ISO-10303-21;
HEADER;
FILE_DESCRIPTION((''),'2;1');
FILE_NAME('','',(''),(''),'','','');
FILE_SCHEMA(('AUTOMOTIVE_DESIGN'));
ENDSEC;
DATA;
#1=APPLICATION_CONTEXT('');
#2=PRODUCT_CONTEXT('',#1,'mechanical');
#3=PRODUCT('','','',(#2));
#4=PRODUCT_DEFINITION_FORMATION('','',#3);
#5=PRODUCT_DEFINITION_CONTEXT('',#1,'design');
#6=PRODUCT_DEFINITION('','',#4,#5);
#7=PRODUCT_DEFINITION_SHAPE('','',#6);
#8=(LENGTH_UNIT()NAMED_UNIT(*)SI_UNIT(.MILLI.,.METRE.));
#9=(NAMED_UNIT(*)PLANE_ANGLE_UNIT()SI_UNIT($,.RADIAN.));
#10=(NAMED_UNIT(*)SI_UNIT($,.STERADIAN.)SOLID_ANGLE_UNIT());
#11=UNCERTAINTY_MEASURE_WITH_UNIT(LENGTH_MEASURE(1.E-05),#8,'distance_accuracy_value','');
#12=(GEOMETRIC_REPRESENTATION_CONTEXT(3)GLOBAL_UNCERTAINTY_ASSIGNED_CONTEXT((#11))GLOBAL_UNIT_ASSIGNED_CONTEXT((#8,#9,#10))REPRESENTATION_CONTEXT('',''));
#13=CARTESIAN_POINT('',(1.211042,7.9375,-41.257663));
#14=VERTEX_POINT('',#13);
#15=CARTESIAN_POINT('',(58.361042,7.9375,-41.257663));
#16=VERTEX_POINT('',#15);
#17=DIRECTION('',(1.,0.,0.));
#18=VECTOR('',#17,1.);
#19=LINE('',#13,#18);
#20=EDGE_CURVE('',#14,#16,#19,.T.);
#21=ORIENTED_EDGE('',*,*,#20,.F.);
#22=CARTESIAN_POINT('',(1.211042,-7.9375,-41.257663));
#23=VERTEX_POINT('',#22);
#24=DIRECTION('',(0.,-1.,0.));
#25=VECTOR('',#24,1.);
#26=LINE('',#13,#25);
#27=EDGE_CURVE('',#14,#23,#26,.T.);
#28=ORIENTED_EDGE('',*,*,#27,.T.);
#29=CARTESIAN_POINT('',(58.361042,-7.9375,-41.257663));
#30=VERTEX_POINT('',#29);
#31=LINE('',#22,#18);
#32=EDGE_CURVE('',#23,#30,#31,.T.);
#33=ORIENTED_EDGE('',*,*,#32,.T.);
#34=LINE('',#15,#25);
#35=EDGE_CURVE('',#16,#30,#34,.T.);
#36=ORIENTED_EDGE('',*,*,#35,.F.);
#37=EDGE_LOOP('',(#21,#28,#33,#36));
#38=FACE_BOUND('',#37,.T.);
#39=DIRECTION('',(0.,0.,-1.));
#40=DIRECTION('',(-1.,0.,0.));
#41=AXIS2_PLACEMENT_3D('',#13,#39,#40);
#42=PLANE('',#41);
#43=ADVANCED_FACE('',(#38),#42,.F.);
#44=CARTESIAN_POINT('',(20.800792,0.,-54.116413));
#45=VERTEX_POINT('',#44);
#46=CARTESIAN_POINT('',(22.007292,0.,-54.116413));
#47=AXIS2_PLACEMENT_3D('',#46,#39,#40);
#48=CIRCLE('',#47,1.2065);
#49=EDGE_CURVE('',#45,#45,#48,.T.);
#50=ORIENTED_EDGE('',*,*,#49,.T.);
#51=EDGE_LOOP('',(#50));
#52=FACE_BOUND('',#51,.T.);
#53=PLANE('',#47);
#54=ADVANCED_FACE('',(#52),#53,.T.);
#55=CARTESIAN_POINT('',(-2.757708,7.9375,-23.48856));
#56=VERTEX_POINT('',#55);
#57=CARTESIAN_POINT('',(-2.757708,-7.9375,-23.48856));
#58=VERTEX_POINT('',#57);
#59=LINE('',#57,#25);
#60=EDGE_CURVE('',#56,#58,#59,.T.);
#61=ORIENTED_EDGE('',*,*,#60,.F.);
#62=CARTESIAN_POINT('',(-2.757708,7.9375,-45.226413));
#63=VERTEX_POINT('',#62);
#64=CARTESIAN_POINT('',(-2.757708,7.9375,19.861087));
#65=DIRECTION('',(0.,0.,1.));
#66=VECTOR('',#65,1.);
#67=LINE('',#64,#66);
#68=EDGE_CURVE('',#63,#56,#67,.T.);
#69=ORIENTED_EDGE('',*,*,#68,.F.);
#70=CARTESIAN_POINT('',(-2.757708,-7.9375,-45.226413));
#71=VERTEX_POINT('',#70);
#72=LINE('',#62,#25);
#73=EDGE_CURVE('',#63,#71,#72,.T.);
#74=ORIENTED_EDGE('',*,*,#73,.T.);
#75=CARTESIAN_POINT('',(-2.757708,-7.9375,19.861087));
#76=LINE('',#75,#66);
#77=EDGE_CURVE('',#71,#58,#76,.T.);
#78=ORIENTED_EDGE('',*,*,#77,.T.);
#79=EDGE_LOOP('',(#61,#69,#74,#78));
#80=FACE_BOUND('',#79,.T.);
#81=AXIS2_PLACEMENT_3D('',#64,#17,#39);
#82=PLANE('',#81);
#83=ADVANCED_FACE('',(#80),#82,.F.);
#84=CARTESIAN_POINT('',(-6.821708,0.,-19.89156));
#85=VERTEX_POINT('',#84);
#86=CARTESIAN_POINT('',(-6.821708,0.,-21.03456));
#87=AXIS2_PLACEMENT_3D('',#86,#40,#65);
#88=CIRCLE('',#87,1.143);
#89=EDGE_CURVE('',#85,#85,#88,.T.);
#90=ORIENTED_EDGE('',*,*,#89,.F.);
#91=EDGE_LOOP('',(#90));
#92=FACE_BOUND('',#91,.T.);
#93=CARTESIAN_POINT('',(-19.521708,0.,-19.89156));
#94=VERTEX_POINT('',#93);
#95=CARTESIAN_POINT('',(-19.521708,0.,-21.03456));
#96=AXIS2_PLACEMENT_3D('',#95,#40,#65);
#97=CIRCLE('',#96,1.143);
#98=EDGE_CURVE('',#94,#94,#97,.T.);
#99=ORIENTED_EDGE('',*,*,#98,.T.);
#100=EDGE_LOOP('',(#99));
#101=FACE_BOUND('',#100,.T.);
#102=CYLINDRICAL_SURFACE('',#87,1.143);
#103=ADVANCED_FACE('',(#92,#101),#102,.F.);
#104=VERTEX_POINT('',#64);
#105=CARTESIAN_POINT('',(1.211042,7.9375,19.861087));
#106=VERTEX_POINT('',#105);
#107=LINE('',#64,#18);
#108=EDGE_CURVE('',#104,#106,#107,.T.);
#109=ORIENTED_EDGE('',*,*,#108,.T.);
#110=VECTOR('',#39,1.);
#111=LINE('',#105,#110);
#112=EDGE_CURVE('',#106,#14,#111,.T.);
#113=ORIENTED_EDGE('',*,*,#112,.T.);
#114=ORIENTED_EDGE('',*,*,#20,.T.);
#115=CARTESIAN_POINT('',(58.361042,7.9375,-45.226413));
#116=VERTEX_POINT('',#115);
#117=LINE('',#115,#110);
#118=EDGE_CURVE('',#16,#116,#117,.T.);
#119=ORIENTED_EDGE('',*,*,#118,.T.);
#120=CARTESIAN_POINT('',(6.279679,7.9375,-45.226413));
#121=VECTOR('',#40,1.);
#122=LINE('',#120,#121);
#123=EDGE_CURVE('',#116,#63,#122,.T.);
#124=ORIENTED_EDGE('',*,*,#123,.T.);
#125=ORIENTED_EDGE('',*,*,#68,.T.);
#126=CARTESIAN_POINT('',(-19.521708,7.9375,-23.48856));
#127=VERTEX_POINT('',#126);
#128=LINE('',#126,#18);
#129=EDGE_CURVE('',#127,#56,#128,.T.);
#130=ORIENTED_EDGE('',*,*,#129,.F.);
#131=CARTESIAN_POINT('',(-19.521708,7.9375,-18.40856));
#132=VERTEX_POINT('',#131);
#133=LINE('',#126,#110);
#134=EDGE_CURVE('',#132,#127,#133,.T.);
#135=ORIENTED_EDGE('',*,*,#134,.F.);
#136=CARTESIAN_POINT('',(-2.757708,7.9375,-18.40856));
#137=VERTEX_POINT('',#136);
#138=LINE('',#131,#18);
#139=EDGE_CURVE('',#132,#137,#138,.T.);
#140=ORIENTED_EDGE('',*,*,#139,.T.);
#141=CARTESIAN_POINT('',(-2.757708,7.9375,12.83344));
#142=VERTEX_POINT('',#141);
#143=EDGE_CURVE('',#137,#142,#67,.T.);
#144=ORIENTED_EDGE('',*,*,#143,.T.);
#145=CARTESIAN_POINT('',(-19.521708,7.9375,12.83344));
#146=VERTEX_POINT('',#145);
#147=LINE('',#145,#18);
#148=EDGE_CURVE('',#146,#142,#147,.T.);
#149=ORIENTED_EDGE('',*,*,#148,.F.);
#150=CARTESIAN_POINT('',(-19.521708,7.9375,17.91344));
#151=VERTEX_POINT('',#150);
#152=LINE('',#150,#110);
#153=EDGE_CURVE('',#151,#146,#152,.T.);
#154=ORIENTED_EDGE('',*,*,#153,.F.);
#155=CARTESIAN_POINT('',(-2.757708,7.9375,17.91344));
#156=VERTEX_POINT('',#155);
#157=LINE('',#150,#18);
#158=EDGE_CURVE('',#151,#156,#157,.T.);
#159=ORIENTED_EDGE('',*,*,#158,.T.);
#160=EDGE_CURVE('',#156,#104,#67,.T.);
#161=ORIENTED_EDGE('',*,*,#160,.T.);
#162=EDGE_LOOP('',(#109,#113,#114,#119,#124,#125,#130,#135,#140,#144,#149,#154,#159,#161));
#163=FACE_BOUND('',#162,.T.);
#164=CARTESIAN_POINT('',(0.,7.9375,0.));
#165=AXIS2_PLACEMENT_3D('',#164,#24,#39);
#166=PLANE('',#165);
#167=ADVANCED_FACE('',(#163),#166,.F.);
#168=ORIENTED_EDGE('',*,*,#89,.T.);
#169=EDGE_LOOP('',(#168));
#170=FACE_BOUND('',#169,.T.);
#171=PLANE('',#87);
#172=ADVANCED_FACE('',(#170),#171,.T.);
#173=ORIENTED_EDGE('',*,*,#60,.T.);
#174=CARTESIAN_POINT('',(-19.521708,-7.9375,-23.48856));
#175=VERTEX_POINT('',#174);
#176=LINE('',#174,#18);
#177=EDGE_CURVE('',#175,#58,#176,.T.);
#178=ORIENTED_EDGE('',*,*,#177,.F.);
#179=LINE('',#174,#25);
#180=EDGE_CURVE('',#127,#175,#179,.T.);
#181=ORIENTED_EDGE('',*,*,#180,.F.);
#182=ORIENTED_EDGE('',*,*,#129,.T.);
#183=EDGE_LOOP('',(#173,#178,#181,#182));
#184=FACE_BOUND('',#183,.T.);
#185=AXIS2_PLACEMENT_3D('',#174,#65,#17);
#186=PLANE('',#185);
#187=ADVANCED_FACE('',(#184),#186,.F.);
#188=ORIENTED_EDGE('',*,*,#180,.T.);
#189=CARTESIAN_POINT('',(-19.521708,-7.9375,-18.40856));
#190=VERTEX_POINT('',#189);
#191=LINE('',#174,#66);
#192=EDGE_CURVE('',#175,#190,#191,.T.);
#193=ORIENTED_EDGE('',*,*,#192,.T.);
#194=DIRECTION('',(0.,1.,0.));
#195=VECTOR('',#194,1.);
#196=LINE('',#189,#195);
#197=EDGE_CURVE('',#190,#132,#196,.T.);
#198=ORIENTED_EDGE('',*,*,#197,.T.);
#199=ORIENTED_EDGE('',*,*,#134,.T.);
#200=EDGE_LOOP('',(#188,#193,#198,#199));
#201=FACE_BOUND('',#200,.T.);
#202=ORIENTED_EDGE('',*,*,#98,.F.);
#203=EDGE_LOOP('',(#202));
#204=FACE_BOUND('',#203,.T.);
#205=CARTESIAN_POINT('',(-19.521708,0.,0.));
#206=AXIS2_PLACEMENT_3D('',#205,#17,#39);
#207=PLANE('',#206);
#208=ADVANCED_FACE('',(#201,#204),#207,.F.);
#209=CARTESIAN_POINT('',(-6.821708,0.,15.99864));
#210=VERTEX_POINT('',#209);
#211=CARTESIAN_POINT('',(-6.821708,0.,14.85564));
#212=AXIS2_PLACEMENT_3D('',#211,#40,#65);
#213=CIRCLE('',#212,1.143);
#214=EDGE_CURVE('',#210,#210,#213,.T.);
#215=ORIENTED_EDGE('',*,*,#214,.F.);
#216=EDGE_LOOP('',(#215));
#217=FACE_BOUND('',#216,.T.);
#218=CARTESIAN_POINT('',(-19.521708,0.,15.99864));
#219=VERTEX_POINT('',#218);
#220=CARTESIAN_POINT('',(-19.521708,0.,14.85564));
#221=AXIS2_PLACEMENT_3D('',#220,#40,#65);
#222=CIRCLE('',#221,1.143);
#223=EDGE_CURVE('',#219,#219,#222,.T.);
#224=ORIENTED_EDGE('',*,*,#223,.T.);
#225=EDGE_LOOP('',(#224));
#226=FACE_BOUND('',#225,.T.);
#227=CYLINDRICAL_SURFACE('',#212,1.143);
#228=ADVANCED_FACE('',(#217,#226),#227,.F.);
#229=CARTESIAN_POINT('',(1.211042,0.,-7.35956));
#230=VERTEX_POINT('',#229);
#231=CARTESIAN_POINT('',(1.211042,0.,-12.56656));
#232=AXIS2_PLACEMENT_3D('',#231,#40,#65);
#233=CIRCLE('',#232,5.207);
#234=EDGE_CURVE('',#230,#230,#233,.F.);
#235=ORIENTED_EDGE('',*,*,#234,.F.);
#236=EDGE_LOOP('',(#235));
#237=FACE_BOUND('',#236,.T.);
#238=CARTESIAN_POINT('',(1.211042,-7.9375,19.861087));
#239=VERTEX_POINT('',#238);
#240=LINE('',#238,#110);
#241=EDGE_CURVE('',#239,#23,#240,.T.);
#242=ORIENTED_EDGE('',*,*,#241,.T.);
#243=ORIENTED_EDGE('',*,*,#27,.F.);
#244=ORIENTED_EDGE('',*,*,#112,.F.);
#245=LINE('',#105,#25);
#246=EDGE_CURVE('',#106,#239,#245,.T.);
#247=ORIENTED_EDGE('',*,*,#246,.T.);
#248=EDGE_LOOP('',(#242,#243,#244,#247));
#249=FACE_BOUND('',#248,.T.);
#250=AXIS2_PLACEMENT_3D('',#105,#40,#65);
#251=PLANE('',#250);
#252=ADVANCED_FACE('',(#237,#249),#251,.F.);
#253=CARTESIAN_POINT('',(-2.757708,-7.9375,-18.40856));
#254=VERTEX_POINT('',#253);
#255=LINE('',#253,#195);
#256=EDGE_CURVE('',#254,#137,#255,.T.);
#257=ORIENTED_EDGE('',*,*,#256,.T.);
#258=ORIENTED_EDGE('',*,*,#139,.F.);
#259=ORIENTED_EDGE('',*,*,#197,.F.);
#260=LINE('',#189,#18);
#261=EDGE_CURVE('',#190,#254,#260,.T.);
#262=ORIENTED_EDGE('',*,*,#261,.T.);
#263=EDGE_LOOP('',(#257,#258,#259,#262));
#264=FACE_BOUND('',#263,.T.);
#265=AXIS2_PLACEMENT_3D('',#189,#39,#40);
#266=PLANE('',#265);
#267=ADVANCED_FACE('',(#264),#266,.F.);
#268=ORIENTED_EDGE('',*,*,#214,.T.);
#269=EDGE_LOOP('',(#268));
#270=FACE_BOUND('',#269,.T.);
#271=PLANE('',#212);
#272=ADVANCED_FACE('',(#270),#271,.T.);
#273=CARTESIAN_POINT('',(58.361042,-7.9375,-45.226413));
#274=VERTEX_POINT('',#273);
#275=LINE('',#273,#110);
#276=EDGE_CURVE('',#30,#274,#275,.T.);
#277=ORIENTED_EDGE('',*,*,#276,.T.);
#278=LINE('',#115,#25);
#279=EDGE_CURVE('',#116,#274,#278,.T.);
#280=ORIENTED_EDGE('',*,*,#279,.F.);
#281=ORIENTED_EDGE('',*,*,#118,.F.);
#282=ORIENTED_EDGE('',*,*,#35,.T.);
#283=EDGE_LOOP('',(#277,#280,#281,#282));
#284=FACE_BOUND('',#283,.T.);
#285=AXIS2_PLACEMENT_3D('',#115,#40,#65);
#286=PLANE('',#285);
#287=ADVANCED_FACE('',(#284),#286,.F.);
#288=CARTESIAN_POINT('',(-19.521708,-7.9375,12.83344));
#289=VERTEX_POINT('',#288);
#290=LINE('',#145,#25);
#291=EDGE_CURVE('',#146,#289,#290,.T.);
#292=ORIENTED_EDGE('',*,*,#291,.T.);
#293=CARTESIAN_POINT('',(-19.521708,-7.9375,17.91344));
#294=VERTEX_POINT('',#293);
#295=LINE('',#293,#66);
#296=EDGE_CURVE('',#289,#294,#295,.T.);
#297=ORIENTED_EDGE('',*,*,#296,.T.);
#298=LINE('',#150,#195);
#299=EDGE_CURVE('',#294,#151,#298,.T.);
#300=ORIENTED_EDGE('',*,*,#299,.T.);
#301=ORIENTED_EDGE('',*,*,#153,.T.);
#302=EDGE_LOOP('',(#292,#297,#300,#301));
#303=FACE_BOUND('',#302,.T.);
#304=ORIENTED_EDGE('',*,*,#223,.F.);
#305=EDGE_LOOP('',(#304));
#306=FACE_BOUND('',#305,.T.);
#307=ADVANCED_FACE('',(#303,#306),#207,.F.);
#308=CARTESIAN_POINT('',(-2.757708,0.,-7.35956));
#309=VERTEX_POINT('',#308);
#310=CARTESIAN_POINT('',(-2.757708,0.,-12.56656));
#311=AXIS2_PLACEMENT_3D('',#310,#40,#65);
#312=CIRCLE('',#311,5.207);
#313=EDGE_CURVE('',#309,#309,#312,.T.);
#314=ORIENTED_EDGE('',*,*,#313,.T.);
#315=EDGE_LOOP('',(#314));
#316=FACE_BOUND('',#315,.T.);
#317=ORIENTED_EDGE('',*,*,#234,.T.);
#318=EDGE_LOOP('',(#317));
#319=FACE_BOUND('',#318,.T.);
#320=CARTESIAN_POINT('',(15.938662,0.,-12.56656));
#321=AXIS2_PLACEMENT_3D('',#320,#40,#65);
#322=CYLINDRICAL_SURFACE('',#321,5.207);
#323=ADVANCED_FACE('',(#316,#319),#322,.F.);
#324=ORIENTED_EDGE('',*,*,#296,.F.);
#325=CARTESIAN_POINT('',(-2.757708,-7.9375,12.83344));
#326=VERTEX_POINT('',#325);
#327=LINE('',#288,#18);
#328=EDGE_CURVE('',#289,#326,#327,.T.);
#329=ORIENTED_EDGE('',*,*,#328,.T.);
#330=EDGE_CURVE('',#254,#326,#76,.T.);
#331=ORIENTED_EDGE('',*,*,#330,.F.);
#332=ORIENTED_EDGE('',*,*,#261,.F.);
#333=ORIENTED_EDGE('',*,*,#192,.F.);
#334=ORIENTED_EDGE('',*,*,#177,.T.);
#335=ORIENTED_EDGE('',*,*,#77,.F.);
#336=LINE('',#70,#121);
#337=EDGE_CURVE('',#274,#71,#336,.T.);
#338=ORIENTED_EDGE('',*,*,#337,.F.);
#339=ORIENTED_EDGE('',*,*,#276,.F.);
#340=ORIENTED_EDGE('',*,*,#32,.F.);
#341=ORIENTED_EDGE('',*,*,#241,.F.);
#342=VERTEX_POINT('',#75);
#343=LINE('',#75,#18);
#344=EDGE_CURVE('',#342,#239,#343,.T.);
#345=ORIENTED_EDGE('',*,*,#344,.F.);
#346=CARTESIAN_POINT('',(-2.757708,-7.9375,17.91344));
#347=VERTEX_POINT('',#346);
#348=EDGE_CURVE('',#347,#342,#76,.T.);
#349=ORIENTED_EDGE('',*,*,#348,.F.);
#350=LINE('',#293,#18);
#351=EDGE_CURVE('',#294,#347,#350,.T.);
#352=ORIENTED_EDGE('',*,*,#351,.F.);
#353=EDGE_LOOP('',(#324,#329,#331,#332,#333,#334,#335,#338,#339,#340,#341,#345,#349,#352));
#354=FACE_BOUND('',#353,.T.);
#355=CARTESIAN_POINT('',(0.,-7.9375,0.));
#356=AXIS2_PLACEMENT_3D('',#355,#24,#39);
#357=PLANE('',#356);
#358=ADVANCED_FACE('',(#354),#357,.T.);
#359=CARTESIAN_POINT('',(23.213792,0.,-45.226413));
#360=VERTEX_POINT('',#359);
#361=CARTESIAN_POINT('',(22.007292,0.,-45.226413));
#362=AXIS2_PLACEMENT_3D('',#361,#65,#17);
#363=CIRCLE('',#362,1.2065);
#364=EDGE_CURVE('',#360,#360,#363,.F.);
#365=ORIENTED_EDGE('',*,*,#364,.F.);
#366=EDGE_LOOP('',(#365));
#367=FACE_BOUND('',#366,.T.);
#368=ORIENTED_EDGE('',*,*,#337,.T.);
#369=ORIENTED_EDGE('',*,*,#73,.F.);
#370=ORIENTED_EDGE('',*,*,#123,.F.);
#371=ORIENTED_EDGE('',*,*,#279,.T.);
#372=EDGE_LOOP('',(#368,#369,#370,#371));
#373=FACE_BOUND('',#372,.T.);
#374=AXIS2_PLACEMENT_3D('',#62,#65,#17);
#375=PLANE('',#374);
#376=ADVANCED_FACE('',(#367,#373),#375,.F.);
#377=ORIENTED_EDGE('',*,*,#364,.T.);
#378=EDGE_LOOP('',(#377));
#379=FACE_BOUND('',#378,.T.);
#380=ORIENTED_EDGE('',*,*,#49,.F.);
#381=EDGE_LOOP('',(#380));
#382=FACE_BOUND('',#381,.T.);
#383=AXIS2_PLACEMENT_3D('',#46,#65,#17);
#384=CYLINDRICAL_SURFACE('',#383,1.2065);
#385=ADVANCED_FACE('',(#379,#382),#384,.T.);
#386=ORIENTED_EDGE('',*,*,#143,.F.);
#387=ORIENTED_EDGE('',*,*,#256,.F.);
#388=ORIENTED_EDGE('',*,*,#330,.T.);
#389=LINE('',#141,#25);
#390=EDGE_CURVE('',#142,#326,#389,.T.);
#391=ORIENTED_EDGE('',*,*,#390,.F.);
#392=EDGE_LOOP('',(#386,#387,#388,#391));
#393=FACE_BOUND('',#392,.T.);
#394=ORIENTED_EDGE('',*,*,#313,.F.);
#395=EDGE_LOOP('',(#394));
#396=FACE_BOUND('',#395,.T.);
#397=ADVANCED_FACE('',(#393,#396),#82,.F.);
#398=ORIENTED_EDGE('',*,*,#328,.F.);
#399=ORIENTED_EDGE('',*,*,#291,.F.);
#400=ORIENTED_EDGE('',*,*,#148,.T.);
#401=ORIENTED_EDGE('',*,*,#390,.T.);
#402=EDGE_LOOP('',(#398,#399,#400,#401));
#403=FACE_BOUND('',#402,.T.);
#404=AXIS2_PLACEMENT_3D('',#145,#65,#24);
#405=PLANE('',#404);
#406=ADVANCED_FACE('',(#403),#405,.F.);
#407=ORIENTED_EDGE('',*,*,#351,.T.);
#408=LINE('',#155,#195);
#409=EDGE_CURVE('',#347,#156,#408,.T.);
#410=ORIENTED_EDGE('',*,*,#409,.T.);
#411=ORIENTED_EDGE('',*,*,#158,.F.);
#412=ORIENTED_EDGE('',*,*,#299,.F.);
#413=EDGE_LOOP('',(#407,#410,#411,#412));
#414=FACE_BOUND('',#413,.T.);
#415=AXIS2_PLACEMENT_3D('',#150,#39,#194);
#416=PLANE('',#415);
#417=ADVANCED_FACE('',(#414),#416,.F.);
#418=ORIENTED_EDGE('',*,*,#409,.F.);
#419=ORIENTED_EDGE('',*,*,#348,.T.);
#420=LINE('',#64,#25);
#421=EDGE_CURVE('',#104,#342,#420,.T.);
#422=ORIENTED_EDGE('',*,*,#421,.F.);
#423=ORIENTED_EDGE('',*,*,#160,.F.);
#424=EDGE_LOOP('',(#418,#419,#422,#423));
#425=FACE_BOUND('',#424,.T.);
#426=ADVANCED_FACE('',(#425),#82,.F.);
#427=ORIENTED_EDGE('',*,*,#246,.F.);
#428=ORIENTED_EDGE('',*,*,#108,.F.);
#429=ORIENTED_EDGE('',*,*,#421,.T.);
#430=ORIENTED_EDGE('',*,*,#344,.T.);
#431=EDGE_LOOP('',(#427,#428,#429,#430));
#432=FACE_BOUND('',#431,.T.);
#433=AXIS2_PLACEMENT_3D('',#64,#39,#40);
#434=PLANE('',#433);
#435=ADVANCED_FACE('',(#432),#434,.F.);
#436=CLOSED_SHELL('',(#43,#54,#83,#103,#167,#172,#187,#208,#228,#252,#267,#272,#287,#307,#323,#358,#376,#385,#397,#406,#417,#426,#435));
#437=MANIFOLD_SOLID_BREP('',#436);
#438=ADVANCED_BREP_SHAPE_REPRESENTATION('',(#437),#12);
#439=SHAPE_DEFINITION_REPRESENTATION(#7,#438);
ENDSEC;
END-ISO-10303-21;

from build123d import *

# Parameters (mm, degrees)
BOSS_EXTRUDE1_DEPTH = 7.9375
SKETCH3_R           = 5.207
CUT_EXTRUDE1_DEPTH  = 3.96875
SKETCH4_R           = 1.2065
BOSS_EXTRUDE2_DEPTH = 8.89
SKETCH5_W           = 5.08
SKETCH5_H           = 15.875
BOSS_EXTRUDE3_DEPTH = 16.764
SKETCH6_R           = 1.143
CUT_EXTRUDE2_DEPTH  = 12.7


with BuildPart() as part:
    # Sketch1 → Boss-Extrude1 (new, symmetric)
    with BuildSketch(Plane(origin=(0, 0, 0), x_dir=(1, 0, 0), z_dir=(0, 1, 0))):
        Polygon((-2.757708096, -19.86108723), (1.211041904, -19.86108723), (1.211041904, 41.25766277), (58.361041904, 41.25766277), (58.361041904, 45.22641277), (6.27967861, 45.22641277), (-2.757708096, 45.22641277), align=None)
    extrude(amount=BOSS_EXTRUDE1_DEPTH, both=True)

    # Sketch3 → Cut-Extrude1 (cut)
    with BuildSketch(Plane.ZY.offset(2.757708096)):
        with Locations((-12.566559842, 0)):
            Circle(SKETCH3_R)
    extrude(amount=-CUT_EXTRUDE1_DEPTH, mode=Mode.SUBTRACT)

    # Sketch4 → Boss-Extrude2 (add)
    with BuildSketch(Plane(origin=(0, 0, -45.22641277), x_dir=(-1, 0, 0), z_dir=(0, 0, -1))):
        with Locations(Location((-22.007291904, 0, 0), (0, 0, 180))):
            Circle(SKETCH4_R)
    extrude(amount=BOSS_EXTRUDE2_DEPTH)

    # Sketch5 → Boss-Extrude3 (add)
    with BuildSketch(Plane.ZY.offset(2.757708096)):
        with Locations((-20.948559842, 0)):
            Rectangle(SKETCH5_W, SKETCH5_H)
        with Locations((15.373440158, 0)):
            Rectangle(SKETCH5_W, SKETCH5_H)
    extrude(amount=BOSS_EXTRUDE3_DEPTH)

    # Sketch6 → Cut-Extrude2 (cut)
    with BuildSketch(Plane.ZY.offset(19.521708096)):
        with Locations((14.855640158, 0)):
            Circle(SKETCH6_R)
        with Locations((-21.034559842, 0)):
            Circle(SKETCH6_R)
    extrude(amount=-CUT_EXTRUDE2_DEPTH, mode=Mode.SUBTRACT)


solid = part.part
